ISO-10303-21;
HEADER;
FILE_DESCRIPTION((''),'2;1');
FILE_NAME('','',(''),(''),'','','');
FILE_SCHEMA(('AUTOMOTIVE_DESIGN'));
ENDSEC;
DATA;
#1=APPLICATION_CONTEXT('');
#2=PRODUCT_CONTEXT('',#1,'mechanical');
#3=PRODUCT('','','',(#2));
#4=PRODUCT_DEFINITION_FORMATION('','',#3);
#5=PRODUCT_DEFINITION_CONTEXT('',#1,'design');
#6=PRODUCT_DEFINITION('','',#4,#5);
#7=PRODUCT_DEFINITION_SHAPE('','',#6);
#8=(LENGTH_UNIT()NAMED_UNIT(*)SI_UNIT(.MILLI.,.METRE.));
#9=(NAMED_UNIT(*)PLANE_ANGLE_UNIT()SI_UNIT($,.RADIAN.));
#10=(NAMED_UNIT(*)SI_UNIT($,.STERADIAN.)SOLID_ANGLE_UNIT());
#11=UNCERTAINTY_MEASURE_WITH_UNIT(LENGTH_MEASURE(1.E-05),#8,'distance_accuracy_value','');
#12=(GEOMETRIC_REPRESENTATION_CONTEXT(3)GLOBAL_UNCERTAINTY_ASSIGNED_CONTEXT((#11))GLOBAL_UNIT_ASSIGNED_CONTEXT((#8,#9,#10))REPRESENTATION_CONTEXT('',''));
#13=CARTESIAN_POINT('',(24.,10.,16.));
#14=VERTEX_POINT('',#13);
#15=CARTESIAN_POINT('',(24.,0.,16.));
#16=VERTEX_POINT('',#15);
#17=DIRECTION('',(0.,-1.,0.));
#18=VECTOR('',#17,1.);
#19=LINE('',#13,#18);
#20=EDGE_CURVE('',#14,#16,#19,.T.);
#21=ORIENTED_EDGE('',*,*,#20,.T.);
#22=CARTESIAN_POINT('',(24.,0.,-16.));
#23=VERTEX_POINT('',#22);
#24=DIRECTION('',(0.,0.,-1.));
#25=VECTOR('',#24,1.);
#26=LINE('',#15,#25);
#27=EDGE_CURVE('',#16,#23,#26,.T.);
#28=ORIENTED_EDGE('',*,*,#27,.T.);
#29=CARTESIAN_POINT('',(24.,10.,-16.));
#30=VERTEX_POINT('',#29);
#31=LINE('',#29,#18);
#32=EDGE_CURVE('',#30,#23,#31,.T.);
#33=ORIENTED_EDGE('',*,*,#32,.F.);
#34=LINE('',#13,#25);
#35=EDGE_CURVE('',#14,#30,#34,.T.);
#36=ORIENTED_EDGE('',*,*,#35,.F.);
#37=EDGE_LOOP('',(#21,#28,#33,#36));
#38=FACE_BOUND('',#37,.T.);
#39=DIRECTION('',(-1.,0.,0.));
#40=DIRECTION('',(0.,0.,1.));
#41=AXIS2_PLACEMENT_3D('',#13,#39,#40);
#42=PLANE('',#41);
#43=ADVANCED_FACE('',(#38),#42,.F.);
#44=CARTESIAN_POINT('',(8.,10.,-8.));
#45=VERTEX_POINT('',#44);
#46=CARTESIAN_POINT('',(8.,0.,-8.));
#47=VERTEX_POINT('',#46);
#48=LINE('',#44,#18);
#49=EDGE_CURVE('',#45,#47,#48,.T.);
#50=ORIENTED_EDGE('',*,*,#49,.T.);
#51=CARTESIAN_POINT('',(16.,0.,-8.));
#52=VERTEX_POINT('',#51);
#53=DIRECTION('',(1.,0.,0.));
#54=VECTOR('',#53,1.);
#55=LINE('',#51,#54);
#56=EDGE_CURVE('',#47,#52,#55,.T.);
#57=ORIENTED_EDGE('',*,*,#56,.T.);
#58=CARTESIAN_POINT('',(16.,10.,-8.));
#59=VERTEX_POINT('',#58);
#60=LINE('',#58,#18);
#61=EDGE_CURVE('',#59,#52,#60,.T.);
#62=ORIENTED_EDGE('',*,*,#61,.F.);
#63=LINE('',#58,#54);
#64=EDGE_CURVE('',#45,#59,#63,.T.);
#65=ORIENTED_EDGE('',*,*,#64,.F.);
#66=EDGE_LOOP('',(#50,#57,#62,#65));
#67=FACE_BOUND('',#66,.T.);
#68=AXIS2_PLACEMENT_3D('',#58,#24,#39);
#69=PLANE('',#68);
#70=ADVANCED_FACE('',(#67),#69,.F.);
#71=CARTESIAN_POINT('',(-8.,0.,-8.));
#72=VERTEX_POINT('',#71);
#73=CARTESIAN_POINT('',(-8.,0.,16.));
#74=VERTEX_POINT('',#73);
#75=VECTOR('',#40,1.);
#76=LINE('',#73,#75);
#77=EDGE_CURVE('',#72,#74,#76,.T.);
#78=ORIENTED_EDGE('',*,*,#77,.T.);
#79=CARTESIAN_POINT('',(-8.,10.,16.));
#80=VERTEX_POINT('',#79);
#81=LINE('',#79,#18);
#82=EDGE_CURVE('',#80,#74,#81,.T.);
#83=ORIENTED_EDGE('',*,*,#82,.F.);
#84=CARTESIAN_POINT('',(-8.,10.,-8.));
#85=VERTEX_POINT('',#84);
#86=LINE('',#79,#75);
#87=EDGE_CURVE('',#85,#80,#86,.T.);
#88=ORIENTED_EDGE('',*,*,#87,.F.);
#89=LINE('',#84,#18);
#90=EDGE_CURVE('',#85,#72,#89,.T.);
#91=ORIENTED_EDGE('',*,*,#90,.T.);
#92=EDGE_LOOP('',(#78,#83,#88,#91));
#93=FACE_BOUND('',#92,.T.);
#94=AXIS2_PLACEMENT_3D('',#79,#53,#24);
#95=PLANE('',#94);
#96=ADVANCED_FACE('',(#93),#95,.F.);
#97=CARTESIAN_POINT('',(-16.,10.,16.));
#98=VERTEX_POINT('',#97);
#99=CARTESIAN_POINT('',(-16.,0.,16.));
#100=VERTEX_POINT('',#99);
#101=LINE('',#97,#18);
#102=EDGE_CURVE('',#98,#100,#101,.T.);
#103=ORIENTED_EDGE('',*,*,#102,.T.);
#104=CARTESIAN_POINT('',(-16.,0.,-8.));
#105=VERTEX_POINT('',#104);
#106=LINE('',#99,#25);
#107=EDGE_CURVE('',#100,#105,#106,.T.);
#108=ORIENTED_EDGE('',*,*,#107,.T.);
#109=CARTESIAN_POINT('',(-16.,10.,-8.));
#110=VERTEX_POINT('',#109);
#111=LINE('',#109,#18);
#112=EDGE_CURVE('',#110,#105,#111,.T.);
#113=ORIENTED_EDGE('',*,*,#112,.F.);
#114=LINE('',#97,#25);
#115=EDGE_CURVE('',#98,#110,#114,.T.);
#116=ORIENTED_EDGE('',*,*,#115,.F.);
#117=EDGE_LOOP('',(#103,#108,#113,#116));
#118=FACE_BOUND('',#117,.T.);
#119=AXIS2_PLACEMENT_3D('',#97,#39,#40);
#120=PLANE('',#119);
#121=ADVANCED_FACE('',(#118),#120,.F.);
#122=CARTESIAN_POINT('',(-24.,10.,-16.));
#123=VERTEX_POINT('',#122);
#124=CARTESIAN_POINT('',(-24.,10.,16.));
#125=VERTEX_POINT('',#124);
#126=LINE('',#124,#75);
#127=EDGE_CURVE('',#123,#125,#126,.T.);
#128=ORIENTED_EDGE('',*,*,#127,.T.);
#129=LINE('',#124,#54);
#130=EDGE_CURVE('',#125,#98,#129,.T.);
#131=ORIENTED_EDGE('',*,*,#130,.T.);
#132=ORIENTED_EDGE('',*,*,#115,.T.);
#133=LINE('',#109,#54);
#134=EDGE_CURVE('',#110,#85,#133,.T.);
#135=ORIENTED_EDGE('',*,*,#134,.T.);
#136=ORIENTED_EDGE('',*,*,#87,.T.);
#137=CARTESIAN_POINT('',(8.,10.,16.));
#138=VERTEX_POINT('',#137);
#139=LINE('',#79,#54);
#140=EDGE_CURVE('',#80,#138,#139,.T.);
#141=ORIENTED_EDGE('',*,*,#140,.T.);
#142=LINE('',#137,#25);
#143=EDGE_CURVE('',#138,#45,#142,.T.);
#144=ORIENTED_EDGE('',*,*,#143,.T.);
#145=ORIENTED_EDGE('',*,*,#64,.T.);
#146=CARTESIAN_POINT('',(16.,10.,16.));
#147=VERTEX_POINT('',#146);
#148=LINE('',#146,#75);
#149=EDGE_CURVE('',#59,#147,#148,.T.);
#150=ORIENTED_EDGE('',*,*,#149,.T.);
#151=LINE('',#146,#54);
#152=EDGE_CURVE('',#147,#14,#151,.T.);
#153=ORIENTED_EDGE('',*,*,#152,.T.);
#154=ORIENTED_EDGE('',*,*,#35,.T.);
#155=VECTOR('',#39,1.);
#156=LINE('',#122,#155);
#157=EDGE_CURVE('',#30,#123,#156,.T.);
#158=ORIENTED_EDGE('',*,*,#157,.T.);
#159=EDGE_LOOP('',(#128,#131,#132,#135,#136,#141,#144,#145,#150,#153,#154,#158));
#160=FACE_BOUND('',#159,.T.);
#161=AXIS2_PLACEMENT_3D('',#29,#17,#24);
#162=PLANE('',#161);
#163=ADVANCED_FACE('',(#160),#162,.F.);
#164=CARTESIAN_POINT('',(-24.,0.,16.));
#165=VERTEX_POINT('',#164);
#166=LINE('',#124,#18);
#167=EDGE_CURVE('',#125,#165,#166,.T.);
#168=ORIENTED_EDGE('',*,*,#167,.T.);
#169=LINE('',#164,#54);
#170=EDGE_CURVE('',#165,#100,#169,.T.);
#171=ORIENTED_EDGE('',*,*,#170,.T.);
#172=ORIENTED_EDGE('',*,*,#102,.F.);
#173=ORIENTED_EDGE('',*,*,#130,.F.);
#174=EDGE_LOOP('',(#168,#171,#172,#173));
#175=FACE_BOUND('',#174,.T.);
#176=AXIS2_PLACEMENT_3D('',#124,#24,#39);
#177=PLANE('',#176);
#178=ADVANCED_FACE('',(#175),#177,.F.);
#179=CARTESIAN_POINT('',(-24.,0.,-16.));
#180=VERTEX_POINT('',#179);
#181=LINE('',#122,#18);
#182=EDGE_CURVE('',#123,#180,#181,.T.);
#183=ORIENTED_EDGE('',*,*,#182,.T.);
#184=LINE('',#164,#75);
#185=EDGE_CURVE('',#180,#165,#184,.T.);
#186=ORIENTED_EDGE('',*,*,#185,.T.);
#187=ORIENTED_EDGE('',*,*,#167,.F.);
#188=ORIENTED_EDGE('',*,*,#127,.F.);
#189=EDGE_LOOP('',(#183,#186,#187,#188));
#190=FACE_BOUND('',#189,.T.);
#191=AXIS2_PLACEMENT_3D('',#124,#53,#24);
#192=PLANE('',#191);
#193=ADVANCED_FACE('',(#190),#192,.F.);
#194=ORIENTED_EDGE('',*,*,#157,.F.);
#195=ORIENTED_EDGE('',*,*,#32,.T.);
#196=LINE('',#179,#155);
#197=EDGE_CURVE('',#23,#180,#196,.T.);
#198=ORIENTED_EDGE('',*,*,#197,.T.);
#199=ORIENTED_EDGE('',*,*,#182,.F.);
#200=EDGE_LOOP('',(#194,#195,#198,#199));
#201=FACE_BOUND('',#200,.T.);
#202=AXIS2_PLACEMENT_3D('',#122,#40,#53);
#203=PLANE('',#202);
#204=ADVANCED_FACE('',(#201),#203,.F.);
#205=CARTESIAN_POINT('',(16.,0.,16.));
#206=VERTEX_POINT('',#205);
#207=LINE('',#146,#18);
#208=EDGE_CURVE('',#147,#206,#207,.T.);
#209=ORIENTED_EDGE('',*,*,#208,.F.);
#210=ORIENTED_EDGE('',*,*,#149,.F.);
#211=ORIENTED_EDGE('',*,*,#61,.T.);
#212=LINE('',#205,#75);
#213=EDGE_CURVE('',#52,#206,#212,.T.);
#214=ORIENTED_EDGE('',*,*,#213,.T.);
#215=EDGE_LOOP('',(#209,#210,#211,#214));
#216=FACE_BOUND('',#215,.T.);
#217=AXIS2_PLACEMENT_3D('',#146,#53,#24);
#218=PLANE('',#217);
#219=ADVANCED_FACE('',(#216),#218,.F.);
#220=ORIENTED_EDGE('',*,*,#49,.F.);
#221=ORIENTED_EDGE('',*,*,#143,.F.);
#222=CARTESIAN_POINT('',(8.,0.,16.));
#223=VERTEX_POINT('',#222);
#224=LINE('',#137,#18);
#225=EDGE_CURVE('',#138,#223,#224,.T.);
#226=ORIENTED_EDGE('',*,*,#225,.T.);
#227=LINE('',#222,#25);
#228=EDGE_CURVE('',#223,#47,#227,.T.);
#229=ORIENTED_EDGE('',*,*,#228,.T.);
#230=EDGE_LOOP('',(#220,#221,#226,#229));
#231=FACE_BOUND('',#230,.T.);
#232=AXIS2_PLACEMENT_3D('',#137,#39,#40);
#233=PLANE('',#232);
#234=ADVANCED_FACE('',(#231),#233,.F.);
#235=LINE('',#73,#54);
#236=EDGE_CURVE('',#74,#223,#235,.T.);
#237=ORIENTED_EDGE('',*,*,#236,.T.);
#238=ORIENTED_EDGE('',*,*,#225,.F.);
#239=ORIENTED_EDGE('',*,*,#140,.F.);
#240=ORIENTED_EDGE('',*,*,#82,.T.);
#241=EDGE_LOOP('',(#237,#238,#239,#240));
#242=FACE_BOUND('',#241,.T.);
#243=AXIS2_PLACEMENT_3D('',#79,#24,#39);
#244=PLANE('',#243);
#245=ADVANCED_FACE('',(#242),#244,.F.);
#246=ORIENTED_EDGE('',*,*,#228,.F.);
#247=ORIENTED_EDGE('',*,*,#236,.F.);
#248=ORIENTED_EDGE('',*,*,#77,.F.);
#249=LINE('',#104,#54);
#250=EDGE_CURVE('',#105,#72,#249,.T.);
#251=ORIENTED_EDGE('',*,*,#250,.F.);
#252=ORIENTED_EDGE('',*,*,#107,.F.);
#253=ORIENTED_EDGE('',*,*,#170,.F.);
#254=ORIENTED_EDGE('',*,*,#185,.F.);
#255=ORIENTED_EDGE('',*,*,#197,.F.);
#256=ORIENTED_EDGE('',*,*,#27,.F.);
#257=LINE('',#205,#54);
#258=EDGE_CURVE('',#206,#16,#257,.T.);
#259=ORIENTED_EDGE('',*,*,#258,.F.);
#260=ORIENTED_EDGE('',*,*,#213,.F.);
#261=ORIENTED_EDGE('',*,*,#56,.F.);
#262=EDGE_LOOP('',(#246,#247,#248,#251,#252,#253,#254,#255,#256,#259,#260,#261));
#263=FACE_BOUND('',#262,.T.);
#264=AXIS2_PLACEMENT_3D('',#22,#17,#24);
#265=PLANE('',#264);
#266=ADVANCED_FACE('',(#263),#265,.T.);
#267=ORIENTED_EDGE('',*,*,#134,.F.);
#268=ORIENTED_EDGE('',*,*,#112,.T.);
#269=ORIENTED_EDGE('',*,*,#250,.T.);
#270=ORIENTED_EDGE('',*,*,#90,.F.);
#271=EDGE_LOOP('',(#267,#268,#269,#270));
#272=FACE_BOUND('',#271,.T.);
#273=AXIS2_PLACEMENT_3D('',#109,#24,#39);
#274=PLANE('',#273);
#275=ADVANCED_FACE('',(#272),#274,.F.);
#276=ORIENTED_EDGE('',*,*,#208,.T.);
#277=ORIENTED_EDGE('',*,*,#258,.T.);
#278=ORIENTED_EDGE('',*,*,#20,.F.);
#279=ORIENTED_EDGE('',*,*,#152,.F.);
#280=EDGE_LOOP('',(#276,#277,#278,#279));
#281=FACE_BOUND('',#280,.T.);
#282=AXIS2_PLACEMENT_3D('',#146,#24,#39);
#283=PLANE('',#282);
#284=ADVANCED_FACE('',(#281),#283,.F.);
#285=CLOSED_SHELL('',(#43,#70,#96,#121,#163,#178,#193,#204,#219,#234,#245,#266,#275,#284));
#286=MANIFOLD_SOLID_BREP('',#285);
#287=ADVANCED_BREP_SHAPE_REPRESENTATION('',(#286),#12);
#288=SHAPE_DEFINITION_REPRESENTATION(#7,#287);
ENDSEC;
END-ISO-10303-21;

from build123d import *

# Parameters (mm, degrees)
BOSS_EXTRUDE1_DEPTH = 10


with BuildPart() as part:
    # Sketch1 → Boss-Extrude1 (new body)
    with BuildSketch(Plane(origin=(0, 0, 0), x_dir=(1, 0, 0), z_dir=(0, 1, 0))):
        Polygon((-24, -16), (-16, -16), (-16, 8), (-8, 8), (-8, -16), (8, -16), (8, 8), (16, 8), (16, -16), (24, -16), (24, 16), (-24, 16), align=None)
    extrude(amount=BOSS_EXTRUDE1_DEPTH)


solid = part.part
